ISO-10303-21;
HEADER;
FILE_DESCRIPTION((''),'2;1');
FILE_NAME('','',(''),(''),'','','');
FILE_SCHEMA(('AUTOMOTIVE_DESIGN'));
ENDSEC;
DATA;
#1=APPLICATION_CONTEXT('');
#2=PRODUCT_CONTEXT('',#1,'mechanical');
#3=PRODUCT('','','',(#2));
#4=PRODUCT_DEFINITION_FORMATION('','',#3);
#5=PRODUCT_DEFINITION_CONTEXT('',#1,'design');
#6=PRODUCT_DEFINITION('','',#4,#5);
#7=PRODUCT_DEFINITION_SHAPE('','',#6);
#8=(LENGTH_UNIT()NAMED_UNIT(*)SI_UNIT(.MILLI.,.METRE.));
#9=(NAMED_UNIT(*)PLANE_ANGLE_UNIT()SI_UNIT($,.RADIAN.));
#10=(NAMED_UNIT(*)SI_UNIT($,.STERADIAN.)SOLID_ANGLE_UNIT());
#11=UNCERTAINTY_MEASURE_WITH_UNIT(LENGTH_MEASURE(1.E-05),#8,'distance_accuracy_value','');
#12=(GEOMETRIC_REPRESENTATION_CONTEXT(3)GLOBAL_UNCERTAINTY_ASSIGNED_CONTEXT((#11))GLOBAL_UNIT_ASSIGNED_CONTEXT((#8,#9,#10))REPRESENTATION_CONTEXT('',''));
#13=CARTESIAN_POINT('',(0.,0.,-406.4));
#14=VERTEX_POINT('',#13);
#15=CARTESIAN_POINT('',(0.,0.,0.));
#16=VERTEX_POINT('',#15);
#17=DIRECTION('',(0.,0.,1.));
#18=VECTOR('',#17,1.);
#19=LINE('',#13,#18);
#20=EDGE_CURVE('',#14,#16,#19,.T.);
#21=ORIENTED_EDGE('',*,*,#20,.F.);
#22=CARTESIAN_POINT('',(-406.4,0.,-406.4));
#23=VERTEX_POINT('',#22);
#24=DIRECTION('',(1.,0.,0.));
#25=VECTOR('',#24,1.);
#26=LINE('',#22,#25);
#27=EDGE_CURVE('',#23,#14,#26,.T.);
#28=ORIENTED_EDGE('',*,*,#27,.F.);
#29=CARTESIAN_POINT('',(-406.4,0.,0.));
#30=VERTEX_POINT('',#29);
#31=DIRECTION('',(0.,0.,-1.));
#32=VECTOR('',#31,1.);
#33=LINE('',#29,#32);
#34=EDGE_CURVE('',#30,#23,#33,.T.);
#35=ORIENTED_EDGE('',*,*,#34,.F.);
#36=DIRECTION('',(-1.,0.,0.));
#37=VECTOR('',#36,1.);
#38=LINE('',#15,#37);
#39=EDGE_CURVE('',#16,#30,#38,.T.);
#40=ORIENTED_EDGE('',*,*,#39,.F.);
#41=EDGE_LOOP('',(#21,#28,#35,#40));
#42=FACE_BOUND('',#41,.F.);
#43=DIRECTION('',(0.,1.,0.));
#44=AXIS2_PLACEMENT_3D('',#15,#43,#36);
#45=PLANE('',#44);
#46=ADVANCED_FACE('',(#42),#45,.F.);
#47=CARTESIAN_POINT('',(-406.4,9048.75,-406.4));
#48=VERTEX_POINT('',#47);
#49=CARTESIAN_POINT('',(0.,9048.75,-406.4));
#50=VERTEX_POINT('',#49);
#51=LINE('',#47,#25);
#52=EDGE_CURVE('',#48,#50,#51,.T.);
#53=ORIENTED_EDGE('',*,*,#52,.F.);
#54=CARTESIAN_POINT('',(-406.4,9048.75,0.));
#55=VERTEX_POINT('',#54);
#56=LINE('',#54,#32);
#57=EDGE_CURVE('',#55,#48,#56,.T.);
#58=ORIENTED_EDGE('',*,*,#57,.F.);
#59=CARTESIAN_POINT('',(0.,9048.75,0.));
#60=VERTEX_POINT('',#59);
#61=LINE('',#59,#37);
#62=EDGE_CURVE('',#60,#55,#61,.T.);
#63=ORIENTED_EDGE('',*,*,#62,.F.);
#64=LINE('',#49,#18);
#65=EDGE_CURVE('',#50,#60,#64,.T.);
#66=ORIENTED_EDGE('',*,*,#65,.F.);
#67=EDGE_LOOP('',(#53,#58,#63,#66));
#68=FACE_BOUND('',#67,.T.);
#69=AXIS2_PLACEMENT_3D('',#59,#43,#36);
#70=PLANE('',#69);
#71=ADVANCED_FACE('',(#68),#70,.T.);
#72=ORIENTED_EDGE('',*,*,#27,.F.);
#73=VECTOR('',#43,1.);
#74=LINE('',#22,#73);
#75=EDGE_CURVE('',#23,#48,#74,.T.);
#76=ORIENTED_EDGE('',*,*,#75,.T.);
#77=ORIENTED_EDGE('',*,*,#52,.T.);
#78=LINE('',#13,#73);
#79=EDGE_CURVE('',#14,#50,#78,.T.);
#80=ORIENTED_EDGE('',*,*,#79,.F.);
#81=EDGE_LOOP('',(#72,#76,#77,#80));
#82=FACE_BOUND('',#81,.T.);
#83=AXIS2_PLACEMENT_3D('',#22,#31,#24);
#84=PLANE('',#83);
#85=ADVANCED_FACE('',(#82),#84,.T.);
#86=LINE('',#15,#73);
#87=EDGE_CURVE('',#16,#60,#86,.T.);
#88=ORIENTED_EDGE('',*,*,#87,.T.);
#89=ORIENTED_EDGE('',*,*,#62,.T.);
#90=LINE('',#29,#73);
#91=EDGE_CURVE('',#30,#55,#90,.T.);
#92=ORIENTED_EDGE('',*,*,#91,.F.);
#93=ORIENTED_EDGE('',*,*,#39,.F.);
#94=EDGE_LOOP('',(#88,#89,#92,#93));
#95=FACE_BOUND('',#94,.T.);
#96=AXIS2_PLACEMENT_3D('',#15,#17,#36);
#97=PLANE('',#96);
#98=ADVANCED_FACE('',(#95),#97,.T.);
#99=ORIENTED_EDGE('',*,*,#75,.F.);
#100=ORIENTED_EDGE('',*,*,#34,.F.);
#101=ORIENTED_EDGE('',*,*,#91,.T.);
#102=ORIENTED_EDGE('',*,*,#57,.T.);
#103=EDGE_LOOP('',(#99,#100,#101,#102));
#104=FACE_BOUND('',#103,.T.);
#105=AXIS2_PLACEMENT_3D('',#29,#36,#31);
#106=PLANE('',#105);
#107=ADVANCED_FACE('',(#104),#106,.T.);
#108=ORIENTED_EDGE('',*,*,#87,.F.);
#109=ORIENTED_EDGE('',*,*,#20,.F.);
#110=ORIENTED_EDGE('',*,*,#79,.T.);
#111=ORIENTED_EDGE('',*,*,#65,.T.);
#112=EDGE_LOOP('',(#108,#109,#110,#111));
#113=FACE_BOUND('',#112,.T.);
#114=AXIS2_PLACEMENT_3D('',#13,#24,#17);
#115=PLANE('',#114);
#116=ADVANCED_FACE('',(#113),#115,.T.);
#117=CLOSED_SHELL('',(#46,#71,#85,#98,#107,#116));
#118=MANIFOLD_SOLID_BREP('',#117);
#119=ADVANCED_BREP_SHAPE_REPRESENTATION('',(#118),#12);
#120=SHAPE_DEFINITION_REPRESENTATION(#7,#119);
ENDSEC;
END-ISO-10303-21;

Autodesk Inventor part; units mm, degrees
ref_plane "YZ Plane" through (0, 0, 0) normal (1, 0, 0) x (0, 1, 0)
ref_plane "XZ Plane" through (0, 0, 0) normal (0, 1, 0) x (-1, 0, 0)
ref_plane "XY Plane" through (0, 0, 0) normal (0, 0, 1) x (1, 0, 0)
sketch "Sketch1" plane through (0, 0, 0) normal (0, 1, 0) x (-1, 0, 0)
  line L0 (0, 0) -> (406.4, 0)
  line L1 (406.4, 0) -> (406.4, -406.4)
  line L2 (406.4, -406.4) -> (0, -406.4)
  line L3 (0, -406.4) -> (0, 0)
  dimension "d1" = 406.4
  dimension "d2" = 406.4
extrude "Extrusion1" add sketch "Sketch1" along normal blind 9048.75
properties part number "Chimney" material "Concrete"
